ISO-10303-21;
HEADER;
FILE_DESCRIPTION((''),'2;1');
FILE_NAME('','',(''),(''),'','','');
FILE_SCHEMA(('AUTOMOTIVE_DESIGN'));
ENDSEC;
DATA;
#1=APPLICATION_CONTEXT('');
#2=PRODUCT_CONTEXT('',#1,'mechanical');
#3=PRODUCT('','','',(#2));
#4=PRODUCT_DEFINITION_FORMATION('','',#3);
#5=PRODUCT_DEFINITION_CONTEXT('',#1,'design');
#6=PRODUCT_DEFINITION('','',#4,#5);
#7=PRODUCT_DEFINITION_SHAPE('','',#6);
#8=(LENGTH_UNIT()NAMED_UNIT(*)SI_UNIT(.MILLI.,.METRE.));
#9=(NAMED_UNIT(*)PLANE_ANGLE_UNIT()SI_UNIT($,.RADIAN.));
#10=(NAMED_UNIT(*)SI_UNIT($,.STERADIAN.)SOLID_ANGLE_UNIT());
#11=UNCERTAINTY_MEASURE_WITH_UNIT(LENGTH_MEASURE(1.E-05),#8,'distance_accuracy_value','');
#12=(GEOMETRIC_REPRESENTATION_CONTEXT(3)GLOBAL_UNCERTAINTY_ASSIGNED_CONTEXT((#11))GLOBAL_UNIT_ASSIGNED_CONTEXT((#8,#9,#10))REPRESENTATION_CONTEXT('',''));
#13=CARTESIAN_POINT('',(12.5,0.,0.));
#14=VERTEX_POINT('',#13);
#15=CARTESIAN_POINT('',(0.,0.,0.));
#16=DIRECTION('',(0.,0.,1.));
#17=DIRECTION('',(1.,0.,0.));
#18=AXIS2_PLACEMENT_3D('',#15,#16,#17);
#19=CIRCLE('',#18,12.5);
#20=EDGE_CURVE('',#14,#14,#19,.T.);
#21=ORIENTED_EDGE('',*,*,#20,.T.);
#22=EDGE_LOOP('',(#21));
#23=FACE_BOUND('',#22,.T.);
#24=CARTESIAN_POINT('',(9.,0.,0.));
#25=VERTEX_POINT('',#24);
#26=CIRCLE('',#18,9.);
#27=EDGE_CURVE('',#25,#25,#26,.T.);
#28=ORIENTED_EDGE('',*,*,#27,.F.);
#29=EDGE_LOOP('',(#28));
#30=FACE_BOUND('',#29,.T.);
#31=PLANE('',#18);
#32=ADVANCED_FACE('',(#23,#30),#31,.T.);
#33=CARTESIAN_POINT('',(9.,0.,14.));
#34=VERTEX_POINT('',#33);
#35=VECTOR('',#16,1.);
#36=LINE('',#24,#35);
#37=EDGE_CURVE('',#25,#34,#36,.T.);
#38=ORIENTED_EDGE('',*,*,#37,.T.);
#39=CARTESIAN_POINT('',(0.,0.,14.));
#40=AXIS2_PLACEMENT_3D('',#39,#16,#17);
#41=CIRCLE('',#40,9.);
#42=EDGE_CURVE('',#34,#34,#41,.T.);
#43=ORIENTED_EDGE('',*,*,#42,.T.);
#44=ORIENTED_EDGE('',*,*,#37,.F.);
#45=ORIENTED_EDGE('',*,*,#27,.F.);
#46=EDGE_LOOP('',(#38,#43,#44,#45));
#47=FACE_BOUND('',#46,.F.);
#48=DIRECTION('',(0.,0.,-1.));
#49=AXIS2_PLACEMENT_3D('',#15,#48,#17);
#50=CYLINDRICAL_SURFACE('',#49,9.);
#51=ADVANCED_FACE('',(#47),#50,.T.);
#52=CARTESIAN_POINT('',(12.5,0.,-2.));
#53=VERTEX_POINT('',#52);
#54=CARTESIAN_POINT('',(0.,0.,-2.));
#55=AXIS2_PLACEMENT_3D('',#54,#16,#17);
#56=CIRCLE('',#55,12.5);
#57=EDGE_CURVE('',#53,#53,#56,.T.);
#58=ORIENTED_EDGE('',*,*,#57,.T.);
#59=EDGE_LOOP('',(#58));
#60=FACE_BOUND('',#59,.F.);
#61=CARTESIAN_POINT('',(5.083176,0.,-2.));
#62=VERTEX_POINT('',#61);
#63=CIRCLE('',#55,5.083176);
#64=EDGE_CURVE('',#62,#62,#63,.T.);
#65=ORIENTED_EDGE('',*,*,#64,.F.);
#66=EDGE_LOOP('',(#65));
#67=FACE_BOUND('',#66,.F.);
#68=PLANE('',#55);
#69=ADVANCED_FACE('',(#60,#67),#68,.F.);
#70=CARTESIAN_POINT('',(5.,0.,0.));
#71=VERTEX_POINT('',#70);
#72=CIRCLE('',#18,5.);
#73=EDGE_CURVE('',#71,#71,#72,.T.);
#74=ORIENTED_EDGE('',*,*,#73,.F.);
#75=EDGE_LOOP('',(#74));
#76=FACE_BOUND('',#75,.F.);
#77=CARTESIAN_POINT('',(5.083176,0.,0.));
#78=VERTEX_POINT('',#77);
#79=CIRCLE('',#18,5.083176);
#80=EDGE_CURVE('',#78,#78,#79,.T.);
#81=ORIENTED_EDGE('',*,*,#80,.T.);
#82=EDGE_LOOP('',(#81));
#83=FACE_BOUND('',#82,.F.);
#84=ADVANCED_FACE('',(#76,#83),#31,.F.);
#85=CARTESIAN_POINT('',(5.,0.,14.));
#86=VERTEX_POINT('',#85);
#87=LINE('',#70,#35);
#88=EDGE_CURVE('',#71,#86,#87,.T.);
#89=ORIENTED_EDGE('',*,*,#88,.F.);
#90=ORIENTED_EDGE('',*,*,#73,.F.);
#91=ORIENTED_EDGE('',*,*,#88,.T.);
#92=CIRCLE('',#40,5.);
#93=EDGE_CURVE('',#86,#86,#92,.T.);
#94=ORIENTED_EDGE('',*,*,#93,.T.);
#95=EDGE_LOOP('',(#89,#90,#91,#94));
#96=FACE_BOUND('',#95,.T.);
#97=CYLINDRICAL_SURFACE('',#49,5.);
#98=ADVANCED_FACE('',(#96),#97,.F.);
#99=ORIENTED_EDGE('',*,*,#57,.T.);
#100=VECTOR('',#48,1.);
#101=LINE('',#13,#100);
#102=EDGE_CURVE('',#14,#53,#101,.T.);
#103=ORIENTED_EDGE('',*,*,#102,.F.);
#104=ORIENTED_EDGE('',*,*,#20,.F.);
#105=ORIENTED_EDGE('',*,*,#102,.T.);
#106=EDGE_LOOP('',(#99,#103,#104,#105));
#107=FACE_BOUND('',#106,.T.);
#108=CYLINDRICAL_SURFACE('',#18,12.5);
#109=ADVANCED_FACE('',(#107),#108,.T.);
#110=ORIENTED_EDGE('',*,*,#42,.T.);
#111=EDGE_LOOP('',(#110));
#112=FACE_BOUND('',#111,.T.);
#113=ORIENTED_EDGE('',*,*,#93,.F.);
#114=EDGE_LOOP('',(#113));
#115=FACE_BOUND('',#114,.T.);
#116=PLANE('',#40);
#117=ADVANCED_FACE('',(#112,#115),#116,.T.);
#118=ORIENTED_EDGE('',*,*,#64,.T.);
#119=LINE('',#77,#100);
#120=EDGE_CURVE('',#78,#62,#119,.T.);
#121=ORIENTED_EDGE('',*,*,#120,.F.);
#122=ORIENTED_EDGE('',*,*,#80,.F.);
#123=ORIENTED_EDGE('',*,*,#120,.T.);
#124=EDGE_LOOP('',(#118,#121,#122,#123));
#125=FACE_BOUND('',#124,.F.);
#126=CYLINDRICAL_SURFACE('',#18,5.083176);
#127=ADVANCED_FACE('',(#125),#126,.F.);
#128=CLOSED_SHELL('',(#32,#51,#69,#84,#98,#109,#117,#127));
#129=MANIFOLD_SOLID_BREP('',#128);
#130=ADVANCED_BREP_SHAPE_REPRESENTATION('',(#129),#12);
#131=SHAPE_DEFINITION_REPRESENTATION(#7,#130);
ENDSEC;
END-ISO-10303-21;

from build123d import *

# Parameters (mm, degrees)
F0_R     = 9
F0_R_2   = 5
F1_DEPTH = 14
F2_R     = 12.5
F2_R_2   = 5.083176
F3_DEPTH = 2


with BuildPart() as f1:
    # F0 (on Top) → F1 (new body)
    with BuildSketch(Plane.XY):
        Circle(F0_R)
        Circle(F0_R_2, mode=Mode.SUBTRACT)
    extrude(amount=F1_DEPTH)

    # F2 (on Top) → F3 (join)
    with BuildSketch(Plane.XY):
        Circle(F2_R)
        Circle(F2_R_2, mode=Mode.SUBTRACT)
    extrude(amount=-F3_DEPTH)


solid = f1.part
